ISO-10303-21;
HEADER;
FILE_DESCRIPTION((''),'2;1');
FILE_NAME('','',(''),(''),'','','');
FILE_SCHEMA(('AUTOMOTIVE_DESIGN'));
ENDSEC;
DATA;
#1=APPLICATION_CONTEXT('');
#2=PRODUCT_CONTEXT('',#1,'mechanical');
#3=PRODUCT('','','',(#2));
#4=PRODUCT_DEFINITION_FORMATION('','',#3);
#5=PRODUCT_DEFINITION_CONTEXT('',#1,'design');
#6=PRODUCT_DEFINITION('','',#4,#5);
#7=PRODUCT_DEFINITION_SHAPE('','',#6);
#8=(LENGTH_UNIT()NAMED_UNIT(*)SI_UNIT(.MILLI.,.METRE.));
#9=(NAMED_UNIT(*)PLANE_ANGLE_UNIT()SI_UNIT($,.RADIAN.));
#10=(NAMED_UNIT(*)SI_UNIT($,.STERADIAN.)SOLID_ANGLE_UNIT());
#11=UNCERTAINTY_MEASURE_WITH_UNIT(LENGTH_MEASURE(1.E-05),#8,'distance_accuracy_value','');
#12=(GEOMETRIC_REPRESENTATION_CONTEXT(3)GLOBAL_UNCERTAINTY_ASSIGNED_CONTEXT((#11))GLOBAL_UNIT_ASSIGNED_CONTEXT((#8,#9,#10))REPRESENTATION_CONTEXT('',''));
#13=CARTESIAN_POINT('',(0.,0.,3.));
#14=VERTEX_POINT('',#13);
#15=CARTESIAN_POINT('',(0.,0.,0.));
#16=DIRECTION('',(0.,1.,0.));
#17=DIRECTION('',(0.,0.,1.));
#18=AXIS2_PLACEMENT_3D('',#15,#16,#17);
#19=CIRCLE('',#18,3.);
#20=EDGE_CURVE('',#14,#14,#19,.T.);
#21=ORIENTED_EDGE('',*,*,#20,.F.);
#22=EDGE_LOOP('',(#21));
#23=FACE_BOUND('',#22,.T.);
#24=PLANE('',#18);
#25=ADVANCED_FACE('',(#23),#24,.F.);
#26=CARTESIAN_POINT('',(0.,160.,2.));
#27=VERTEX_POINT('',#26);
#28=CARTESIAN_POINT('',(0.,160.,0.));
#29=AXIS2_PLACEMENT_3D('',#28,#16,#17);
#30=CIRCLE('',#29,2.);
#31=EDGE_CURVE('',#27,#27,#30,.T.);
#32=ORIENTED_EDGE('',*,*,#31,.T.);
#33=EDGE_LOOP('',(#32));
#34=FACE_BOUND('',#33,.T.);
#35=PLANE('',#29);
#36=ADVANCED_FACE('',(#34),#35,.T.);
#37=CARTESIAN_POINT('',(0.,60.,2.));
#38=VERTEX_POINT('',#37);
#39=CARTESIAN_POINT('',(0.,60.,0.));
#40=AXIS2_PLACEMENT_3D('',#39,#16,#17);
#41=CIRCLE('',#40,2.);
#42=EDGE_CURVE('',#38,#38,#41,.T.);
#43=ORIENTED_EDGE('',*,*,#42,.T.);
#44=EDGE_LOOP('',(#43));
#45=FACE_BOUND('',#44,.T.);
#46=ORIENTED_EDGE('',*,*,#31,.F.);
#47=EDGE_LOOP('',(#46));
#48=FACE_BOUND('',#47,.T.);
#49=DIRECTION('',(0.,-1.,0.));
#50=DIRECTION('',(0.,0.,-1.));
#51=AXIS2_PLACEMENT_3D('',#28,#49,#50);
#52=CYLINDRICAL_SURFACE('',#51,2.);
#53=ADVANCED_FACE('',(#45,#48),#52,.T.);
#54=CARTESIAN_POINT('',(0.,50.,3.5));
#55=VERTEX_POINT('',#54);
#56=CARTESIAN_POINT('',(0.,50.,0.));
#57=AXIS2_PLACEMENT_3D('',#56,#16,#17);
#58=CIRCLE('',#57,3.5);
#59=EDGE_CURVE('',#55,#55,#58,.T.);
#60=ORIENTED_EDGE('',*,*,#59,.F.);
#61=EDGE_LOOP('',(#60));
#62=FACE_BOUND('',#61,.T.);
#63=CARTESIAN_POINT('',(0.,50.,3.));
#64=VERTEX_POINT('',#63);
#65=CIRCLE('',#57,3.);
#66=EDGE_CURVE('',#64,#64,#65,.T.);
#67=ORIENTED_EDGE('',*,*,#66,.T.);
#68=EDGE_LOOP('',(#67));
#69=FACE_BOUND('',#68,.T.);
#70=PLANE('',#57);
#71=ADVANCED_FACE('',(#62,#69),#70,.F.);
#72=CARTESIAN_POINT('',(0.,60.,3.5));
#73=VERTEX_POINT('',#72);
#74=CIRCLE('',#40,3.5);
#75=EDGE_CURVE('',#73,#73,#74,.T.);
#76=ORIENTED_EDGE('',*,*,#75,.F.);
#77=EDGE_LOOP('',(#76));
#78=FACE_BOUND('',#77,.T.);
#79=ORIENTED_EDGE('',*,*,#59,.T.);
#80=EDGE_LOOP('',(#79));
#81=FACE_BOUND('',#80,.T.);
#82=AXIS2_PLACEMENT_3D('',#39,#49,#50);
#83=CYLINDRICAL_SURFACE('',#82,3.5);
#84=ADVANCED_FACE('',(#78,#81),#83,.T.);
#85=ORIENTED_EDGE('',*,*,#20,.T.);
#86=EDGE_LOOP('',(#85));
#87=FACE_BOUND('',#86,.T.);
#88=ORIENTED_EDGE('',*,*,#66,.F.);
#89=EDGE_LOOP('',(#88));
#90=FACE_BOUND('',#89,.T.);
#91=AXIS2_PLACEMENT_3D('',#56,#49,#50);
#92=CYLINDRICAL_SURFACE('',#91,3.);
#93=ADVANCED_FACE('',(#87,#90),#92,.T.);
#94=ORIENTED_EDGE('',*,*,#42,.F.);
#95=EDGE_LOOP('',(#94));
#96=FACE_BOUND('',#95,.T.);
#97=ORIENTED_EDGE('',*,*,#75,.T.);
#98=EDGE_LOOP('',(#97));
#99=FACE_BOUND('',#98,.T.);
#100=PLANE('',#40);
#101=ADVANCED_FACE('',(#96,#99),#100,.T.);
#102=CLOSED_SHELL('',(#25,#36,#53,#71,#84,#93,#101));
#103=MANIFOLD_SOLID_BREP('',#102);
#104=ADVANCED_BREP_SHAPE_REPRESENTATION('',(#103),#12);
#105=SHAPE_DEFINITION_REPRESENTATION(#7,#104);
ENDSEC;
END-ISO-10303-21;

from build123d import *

# Parameters (mm, degrees)
SKETCH1_R        = 3
STEEL_TUBE_DEPTH = 50
HEATSHRINK_START = 50
SKETCH2_R        = 3.5
HEATSHRINK_DEPTH = 10
CABLE_START      = 60
SKETCH3_R        = 2
CABLE_DEPTH      = 100


with BuildPart() as part:
    # Sketch1 → Steel_Tube (new body)
    with BuildSketch(Plane(origin=(0, 0, 0), x_dir=(1, 0, 0), z_dir=(0, 1, 0))):
        with Locations(Location((0, 0, 0), (0, 0, 270))):
            Circle(SKETCH1_R)
    extrude(amount=STEEL_TUBE_DEPTH)

    # Sketch2 → Heatshrink (add)
    with BuildSketch(Plane(origin=(0, 0, 0), x_dir=(1, 0, 0), z_dir=(0, 1, 0)).offset(HEATSHRINK_START)):
        with Locations(Location((0, 0, 0), (0, 0, 270))):
            Circle(SKETCH2_R)
    extrude(amount=HEATSHRINK_DEPTH)

    # Sketch3 → Cable (add)
    with BuildSketch(Plane(origin=(0, 0, 0), x_dir=(1, 0, 0), z_dir=(0, 1, 0)).offset(CABLE_START)):
        with Locations(Location((0, 0, 0), (0, 0, 270))):
            Circle(SKETCH3_R)
    extrude(amount=CABLE_DEPTH)


solid = part.part
